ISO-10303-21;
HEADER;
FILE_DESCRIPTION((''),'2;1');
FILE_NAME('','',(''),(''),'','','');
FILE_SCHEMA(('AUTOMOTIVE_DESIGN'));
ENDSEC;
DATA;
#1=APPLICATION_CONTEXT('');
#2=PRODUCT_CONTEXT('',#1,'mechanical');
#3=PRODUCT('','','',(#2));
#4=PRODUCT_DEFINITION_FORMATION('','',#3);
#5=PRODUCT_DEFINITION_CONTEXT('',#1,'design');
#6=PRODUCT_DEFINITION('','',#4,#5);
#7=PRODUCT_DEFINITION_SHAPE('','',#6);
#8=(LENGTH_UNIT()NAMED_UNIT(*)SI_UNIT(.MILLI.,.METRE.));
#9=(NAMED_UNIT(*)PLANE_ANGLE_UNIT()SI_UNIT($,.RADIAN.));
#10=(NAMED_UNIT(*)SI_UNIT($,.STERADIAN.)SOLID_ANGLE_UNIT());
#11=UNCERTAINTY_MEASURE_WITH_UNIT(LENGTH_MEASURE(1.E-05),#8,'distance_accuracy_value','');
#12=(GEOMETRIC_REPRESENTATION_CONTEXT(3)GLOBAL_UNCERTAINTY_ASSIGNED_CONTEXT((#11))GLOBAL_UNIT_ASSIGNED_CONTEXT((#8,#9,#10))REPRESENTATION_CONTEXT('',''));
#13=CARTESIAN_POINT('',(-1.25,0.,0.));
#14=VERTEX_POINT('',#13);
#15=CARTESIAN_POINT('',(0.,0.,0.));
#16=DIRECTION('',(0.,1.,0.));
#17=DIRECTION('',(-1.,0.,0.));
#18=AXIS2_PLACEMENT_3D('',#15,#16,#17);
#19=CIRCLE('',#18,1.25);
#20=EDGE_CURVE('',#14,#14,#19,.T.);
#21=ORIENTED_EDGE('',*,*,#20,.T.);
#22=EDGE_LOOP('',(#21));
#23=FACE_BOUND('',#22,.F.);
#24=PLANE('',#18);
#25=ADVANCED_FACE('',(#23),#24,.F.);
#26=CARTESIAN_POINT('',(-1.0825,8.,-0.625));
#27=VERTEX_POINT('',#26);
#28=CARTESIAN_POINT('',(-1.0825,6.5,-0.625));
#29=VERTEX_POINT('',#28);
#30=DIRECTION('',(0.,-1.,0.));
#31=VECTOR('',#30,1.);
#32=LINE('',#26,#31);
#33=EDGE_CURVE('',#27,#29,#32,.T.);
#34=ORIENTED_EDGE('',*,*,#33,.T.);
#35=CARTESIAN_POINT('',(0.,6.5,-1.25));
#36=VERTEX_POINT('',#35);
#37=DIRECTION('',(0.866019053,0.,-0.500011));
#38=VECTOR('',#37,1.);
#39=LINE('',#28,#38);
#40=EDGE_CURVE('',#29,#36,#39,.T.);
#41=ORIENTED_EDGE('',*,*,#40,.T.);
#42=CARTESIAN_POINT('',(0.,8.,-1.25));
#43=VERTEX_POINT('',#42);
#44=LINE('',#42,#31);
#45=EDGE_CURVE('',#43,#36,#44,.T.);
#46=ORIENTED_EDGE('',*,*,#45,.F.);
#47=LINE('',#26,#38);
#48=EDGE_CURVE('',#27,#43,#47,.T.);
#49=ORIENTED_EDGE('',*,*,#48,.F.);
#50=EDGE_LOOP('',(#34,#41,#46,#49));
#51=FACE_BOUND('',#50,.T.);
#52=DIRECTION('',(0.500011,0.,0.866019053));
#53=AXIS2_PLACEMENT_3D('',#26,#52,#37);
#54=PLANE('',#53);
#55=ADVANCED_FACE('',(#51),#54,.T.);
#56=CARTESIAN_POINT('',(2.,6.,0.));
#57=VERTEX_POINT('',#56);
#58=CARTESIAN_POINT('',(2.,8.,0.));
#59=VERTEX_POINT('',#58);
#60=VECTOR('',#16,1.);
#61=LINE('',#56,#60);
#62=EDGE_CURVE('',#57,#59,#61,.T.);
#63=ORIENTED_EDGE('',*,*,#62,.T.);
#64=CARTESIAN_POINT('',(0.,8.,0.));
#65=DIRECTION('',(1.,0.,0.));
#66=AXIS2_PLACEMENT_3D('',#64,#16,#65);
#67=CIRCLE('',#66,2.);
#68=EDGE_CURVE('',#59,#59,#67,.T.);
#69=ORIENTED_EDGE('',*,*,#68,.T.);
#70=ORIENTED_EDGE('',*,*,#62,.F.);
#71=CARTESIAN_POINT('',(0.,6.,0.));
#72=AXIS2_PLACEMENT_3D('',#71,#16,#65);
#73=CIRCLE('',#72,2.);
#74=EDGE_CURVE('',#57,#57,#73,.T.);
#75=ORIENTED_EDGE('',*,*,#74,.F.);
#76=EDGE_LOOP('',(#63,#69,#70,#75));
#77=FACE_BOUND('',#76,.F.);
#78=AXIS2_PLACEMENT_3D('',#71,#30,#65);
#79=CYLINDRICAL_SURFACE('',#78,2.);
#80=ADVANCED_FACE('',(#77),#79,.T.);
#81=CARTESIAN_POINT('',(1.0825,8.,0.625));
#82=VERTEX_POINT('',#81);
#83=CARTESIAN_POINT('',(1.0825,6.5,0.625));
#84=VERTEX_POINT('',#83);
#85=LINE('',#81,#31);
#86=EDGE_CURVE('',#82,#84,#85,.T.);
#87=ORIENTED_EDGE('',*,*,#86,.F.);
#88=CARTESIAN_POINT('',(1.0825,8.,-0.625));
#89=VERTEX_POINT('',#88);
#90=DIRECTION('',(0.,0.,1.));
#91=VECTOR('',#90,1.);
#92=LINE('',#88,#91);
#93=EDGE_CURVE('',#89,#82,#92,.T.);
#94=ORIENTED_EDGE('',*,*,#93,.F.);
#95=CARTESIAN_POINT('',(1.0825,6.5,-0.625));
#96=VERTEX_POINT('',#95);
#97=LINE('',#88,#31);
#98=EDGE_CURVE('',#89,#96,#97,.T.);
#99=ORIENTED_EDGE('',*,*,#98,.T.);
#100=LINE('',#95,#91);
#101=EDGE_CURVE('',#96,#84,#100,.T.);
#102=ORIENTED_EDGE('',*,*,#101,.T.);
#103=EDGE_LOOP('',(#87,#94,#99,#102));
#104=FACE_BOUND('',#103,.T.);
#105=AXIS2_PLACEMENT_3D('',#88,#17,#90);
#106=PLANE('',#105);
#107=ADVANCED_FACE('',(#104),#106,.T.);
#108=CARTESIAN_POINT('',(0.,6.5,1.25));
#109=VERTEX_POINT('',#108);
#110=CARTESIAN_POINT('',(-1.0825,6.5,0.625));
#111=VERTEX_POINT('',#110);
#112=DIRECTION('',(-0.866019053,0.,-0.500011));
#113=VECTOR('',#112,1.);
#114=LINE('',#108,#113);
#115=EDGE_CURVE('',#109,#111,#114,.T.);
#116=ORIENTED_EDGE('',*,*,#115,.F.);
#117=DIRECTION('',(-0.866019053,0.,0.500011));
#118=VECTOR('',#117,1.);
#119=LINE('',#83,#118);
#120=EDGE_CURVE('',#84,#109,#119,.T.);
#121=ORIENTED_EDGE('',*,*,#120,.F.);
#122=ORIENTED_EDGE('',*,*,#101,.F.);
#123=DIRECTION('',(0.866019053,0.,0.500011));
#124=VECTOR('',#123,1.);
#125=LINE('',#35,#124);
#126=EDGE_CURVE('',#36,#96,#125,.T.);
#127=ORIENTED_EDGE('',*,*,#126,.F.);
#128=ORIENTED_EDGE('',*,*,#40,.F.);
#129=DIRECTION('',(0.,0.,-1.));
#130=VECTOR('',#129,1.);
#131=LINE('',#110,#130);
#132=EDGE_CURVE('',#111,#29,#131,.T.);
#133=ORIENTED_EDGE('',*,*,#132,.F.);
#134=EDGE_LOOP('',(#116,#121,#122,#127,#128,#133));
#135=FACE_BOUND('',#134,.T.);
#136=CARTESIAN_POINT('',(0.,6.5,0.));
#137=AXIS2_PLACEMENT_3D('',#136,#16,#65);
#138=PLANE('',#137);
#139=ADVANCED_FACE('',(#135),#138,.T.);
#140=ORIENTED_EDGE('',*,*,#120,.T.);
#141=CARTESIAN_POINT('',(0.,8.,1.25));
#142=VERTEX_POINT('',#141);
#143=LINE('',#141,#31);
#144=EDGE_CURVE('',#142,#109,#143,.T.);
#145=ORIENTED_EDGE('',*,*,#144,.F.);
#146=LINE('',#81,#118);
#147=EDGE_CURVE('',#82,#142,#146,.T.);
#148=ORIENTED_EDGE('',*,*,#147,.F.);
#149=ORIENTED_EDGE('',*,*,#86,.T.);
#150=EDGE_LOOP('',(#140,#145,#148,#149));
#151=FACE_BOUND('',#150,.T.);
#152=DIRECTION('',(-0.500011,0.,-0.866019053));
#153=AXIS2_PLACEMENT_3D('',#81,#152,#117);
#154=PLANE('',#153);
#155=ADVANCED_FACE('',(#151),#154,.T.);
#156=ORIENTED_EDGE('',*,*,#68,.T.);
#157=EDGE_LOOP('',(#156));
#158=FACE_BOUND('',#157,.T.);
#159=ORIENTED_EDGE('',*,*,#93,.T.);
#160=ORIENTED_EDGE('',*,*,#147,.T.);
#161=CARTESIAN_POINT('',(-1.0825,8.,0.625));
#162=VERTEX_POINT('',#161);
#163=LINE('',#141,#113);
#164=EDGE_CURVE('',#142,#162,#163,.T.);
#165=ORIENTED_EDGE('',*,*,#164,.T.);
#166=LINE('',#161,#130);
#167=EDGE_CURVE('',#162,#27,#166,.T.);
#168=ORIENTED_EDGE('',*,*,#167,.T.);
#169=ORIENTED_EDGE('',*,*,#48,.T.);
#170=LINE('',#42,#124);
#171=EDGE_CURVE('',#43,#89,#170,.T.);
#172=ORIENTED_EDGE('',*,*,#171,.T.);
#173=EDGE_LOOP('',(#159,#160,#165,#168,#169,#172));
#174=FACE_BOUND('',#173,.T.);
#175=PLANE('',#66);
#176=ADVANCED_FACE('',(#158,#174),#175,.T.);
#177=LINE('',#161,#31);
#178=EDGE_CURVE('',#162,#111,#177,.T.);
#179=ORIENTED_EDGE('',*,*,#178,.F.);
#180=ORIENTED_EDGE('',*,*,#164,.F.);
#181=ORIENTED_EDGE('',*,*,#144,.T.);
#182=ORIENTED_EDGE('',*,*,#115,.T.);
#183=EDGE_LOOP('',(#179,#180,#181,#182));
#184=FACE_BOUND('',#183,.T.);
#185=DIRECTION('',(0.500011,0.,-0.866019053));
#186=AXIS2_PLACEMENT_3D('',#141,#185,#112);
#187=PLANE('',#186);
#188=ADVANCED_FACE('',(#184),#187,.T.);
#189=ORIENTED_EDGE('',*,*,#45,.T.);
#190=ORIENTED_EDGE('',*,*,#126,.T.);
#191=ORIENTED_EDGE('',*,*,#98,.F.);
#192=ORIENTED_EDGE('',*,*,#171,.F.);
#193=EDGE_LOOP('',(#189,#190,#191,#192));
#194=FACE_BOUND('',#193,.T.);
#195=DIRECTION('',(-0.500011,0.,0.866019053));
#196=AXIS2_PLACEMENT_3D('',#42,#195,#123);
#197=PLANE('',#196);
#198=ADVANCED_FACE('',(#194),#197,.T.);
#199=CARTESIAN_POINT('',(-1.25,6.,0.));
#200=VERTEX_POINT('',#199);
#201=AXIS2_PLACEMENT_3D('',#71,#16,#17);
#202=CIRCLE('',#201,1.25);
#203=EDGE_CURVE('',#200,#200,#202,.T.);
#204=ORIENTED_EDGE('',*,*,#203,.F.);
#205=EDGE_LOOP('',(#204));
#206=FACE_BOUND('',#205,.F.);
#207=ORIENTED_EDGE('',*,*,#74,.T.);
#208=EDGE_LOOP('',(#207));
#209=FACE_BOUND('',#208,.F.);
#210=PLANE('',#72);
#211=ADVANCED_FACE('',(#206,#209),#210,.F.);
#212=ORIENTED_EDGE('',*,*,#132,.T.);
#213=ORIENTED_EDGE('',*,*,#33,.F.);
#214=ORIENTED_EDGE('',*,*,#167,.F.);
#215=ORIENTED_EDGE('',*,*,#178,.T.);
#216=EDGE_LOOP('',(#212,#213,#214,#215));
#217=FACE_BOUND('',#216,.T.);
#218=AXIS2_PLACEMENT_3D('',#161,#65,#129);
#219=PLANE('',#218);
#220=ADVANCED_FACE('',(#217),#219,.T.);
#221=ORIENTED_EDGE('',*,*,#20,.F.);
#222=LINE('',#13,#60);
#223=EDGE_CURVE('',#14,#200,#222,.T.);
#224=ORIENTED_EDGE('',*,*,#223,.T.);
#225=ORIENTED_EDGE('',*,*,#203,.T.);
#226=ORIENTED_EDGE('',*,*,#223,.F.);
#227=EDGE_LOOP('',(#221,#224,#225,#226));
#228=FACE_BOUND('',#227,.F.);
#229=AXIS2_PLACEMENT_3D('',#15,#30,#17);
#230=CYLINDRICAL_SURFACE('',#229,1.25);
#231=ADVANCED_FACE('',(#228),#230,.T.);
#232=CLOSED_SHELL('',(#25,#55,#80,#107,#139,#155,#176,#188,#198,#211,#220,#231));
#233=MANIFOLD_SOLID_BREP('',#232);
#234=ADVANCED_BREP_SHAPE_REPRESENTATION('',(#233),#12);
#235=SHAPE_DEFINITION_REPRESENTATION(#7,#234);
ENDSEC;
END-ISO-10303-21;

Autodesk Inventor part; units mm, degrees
ref_plane "YZ Plane" through (0, 0, 0) normal (1, 0, 0) x (0, 1, 0)
ref_plane "XZ Plane" through (0, 0, 0) normal (0, 1, 0) x (-1, 0, 0)
ref_plane "XY Plane" through (0, 0, 0) normal (0, 0, 1) x (1, 0, 0)
sketch "Sketch1" plane through (0, 0, 0) normal (0, 1, 0) x (-1, 0, 0)
  circle A0 centre (0, 0) radius 1.25
  dimension "d0" = 2.5
extrude "Extrusion1" add sketch "Sketch1" along normal blind 6
sketch "Sketch2" plane through (0, 6, 0) normal (0, 1, 0) x (1, 0, 0)
  circle A0 centre (0, 0) radius 2
  dimension "d3" = 4
extrude "Extrusion2" add sketch "Sketch2" along normal blind 2
sketch "Sketch3" plane through (0, 8, 0) normal (0, 1, 0) x (1, 0, 0)
  circle A0 centre (0, 0) radius 1.25 projected
  line L0 (0, 1.25) -> (1.0825, 0.625)
  line L1 (1.0825, 0.625) -> (1.0825, -0.625)
  line L2 (1.0825, -0.625) -> (0, -1.25)
  line L3 (0, -1.25) -> (-1.0825, -0.625)
  line L4 (-1.0825, -0.625) -> (-1.0825, 0.625)
  line L5 (-1.0825, 0.625) -> (0, 1.25)
extrude "Extrusion3" cut sketch "Sketch3" against normal blind 1.5 contours L1 L2 L3 L4 L5 L0
properties part number "M2.5_bolt"
